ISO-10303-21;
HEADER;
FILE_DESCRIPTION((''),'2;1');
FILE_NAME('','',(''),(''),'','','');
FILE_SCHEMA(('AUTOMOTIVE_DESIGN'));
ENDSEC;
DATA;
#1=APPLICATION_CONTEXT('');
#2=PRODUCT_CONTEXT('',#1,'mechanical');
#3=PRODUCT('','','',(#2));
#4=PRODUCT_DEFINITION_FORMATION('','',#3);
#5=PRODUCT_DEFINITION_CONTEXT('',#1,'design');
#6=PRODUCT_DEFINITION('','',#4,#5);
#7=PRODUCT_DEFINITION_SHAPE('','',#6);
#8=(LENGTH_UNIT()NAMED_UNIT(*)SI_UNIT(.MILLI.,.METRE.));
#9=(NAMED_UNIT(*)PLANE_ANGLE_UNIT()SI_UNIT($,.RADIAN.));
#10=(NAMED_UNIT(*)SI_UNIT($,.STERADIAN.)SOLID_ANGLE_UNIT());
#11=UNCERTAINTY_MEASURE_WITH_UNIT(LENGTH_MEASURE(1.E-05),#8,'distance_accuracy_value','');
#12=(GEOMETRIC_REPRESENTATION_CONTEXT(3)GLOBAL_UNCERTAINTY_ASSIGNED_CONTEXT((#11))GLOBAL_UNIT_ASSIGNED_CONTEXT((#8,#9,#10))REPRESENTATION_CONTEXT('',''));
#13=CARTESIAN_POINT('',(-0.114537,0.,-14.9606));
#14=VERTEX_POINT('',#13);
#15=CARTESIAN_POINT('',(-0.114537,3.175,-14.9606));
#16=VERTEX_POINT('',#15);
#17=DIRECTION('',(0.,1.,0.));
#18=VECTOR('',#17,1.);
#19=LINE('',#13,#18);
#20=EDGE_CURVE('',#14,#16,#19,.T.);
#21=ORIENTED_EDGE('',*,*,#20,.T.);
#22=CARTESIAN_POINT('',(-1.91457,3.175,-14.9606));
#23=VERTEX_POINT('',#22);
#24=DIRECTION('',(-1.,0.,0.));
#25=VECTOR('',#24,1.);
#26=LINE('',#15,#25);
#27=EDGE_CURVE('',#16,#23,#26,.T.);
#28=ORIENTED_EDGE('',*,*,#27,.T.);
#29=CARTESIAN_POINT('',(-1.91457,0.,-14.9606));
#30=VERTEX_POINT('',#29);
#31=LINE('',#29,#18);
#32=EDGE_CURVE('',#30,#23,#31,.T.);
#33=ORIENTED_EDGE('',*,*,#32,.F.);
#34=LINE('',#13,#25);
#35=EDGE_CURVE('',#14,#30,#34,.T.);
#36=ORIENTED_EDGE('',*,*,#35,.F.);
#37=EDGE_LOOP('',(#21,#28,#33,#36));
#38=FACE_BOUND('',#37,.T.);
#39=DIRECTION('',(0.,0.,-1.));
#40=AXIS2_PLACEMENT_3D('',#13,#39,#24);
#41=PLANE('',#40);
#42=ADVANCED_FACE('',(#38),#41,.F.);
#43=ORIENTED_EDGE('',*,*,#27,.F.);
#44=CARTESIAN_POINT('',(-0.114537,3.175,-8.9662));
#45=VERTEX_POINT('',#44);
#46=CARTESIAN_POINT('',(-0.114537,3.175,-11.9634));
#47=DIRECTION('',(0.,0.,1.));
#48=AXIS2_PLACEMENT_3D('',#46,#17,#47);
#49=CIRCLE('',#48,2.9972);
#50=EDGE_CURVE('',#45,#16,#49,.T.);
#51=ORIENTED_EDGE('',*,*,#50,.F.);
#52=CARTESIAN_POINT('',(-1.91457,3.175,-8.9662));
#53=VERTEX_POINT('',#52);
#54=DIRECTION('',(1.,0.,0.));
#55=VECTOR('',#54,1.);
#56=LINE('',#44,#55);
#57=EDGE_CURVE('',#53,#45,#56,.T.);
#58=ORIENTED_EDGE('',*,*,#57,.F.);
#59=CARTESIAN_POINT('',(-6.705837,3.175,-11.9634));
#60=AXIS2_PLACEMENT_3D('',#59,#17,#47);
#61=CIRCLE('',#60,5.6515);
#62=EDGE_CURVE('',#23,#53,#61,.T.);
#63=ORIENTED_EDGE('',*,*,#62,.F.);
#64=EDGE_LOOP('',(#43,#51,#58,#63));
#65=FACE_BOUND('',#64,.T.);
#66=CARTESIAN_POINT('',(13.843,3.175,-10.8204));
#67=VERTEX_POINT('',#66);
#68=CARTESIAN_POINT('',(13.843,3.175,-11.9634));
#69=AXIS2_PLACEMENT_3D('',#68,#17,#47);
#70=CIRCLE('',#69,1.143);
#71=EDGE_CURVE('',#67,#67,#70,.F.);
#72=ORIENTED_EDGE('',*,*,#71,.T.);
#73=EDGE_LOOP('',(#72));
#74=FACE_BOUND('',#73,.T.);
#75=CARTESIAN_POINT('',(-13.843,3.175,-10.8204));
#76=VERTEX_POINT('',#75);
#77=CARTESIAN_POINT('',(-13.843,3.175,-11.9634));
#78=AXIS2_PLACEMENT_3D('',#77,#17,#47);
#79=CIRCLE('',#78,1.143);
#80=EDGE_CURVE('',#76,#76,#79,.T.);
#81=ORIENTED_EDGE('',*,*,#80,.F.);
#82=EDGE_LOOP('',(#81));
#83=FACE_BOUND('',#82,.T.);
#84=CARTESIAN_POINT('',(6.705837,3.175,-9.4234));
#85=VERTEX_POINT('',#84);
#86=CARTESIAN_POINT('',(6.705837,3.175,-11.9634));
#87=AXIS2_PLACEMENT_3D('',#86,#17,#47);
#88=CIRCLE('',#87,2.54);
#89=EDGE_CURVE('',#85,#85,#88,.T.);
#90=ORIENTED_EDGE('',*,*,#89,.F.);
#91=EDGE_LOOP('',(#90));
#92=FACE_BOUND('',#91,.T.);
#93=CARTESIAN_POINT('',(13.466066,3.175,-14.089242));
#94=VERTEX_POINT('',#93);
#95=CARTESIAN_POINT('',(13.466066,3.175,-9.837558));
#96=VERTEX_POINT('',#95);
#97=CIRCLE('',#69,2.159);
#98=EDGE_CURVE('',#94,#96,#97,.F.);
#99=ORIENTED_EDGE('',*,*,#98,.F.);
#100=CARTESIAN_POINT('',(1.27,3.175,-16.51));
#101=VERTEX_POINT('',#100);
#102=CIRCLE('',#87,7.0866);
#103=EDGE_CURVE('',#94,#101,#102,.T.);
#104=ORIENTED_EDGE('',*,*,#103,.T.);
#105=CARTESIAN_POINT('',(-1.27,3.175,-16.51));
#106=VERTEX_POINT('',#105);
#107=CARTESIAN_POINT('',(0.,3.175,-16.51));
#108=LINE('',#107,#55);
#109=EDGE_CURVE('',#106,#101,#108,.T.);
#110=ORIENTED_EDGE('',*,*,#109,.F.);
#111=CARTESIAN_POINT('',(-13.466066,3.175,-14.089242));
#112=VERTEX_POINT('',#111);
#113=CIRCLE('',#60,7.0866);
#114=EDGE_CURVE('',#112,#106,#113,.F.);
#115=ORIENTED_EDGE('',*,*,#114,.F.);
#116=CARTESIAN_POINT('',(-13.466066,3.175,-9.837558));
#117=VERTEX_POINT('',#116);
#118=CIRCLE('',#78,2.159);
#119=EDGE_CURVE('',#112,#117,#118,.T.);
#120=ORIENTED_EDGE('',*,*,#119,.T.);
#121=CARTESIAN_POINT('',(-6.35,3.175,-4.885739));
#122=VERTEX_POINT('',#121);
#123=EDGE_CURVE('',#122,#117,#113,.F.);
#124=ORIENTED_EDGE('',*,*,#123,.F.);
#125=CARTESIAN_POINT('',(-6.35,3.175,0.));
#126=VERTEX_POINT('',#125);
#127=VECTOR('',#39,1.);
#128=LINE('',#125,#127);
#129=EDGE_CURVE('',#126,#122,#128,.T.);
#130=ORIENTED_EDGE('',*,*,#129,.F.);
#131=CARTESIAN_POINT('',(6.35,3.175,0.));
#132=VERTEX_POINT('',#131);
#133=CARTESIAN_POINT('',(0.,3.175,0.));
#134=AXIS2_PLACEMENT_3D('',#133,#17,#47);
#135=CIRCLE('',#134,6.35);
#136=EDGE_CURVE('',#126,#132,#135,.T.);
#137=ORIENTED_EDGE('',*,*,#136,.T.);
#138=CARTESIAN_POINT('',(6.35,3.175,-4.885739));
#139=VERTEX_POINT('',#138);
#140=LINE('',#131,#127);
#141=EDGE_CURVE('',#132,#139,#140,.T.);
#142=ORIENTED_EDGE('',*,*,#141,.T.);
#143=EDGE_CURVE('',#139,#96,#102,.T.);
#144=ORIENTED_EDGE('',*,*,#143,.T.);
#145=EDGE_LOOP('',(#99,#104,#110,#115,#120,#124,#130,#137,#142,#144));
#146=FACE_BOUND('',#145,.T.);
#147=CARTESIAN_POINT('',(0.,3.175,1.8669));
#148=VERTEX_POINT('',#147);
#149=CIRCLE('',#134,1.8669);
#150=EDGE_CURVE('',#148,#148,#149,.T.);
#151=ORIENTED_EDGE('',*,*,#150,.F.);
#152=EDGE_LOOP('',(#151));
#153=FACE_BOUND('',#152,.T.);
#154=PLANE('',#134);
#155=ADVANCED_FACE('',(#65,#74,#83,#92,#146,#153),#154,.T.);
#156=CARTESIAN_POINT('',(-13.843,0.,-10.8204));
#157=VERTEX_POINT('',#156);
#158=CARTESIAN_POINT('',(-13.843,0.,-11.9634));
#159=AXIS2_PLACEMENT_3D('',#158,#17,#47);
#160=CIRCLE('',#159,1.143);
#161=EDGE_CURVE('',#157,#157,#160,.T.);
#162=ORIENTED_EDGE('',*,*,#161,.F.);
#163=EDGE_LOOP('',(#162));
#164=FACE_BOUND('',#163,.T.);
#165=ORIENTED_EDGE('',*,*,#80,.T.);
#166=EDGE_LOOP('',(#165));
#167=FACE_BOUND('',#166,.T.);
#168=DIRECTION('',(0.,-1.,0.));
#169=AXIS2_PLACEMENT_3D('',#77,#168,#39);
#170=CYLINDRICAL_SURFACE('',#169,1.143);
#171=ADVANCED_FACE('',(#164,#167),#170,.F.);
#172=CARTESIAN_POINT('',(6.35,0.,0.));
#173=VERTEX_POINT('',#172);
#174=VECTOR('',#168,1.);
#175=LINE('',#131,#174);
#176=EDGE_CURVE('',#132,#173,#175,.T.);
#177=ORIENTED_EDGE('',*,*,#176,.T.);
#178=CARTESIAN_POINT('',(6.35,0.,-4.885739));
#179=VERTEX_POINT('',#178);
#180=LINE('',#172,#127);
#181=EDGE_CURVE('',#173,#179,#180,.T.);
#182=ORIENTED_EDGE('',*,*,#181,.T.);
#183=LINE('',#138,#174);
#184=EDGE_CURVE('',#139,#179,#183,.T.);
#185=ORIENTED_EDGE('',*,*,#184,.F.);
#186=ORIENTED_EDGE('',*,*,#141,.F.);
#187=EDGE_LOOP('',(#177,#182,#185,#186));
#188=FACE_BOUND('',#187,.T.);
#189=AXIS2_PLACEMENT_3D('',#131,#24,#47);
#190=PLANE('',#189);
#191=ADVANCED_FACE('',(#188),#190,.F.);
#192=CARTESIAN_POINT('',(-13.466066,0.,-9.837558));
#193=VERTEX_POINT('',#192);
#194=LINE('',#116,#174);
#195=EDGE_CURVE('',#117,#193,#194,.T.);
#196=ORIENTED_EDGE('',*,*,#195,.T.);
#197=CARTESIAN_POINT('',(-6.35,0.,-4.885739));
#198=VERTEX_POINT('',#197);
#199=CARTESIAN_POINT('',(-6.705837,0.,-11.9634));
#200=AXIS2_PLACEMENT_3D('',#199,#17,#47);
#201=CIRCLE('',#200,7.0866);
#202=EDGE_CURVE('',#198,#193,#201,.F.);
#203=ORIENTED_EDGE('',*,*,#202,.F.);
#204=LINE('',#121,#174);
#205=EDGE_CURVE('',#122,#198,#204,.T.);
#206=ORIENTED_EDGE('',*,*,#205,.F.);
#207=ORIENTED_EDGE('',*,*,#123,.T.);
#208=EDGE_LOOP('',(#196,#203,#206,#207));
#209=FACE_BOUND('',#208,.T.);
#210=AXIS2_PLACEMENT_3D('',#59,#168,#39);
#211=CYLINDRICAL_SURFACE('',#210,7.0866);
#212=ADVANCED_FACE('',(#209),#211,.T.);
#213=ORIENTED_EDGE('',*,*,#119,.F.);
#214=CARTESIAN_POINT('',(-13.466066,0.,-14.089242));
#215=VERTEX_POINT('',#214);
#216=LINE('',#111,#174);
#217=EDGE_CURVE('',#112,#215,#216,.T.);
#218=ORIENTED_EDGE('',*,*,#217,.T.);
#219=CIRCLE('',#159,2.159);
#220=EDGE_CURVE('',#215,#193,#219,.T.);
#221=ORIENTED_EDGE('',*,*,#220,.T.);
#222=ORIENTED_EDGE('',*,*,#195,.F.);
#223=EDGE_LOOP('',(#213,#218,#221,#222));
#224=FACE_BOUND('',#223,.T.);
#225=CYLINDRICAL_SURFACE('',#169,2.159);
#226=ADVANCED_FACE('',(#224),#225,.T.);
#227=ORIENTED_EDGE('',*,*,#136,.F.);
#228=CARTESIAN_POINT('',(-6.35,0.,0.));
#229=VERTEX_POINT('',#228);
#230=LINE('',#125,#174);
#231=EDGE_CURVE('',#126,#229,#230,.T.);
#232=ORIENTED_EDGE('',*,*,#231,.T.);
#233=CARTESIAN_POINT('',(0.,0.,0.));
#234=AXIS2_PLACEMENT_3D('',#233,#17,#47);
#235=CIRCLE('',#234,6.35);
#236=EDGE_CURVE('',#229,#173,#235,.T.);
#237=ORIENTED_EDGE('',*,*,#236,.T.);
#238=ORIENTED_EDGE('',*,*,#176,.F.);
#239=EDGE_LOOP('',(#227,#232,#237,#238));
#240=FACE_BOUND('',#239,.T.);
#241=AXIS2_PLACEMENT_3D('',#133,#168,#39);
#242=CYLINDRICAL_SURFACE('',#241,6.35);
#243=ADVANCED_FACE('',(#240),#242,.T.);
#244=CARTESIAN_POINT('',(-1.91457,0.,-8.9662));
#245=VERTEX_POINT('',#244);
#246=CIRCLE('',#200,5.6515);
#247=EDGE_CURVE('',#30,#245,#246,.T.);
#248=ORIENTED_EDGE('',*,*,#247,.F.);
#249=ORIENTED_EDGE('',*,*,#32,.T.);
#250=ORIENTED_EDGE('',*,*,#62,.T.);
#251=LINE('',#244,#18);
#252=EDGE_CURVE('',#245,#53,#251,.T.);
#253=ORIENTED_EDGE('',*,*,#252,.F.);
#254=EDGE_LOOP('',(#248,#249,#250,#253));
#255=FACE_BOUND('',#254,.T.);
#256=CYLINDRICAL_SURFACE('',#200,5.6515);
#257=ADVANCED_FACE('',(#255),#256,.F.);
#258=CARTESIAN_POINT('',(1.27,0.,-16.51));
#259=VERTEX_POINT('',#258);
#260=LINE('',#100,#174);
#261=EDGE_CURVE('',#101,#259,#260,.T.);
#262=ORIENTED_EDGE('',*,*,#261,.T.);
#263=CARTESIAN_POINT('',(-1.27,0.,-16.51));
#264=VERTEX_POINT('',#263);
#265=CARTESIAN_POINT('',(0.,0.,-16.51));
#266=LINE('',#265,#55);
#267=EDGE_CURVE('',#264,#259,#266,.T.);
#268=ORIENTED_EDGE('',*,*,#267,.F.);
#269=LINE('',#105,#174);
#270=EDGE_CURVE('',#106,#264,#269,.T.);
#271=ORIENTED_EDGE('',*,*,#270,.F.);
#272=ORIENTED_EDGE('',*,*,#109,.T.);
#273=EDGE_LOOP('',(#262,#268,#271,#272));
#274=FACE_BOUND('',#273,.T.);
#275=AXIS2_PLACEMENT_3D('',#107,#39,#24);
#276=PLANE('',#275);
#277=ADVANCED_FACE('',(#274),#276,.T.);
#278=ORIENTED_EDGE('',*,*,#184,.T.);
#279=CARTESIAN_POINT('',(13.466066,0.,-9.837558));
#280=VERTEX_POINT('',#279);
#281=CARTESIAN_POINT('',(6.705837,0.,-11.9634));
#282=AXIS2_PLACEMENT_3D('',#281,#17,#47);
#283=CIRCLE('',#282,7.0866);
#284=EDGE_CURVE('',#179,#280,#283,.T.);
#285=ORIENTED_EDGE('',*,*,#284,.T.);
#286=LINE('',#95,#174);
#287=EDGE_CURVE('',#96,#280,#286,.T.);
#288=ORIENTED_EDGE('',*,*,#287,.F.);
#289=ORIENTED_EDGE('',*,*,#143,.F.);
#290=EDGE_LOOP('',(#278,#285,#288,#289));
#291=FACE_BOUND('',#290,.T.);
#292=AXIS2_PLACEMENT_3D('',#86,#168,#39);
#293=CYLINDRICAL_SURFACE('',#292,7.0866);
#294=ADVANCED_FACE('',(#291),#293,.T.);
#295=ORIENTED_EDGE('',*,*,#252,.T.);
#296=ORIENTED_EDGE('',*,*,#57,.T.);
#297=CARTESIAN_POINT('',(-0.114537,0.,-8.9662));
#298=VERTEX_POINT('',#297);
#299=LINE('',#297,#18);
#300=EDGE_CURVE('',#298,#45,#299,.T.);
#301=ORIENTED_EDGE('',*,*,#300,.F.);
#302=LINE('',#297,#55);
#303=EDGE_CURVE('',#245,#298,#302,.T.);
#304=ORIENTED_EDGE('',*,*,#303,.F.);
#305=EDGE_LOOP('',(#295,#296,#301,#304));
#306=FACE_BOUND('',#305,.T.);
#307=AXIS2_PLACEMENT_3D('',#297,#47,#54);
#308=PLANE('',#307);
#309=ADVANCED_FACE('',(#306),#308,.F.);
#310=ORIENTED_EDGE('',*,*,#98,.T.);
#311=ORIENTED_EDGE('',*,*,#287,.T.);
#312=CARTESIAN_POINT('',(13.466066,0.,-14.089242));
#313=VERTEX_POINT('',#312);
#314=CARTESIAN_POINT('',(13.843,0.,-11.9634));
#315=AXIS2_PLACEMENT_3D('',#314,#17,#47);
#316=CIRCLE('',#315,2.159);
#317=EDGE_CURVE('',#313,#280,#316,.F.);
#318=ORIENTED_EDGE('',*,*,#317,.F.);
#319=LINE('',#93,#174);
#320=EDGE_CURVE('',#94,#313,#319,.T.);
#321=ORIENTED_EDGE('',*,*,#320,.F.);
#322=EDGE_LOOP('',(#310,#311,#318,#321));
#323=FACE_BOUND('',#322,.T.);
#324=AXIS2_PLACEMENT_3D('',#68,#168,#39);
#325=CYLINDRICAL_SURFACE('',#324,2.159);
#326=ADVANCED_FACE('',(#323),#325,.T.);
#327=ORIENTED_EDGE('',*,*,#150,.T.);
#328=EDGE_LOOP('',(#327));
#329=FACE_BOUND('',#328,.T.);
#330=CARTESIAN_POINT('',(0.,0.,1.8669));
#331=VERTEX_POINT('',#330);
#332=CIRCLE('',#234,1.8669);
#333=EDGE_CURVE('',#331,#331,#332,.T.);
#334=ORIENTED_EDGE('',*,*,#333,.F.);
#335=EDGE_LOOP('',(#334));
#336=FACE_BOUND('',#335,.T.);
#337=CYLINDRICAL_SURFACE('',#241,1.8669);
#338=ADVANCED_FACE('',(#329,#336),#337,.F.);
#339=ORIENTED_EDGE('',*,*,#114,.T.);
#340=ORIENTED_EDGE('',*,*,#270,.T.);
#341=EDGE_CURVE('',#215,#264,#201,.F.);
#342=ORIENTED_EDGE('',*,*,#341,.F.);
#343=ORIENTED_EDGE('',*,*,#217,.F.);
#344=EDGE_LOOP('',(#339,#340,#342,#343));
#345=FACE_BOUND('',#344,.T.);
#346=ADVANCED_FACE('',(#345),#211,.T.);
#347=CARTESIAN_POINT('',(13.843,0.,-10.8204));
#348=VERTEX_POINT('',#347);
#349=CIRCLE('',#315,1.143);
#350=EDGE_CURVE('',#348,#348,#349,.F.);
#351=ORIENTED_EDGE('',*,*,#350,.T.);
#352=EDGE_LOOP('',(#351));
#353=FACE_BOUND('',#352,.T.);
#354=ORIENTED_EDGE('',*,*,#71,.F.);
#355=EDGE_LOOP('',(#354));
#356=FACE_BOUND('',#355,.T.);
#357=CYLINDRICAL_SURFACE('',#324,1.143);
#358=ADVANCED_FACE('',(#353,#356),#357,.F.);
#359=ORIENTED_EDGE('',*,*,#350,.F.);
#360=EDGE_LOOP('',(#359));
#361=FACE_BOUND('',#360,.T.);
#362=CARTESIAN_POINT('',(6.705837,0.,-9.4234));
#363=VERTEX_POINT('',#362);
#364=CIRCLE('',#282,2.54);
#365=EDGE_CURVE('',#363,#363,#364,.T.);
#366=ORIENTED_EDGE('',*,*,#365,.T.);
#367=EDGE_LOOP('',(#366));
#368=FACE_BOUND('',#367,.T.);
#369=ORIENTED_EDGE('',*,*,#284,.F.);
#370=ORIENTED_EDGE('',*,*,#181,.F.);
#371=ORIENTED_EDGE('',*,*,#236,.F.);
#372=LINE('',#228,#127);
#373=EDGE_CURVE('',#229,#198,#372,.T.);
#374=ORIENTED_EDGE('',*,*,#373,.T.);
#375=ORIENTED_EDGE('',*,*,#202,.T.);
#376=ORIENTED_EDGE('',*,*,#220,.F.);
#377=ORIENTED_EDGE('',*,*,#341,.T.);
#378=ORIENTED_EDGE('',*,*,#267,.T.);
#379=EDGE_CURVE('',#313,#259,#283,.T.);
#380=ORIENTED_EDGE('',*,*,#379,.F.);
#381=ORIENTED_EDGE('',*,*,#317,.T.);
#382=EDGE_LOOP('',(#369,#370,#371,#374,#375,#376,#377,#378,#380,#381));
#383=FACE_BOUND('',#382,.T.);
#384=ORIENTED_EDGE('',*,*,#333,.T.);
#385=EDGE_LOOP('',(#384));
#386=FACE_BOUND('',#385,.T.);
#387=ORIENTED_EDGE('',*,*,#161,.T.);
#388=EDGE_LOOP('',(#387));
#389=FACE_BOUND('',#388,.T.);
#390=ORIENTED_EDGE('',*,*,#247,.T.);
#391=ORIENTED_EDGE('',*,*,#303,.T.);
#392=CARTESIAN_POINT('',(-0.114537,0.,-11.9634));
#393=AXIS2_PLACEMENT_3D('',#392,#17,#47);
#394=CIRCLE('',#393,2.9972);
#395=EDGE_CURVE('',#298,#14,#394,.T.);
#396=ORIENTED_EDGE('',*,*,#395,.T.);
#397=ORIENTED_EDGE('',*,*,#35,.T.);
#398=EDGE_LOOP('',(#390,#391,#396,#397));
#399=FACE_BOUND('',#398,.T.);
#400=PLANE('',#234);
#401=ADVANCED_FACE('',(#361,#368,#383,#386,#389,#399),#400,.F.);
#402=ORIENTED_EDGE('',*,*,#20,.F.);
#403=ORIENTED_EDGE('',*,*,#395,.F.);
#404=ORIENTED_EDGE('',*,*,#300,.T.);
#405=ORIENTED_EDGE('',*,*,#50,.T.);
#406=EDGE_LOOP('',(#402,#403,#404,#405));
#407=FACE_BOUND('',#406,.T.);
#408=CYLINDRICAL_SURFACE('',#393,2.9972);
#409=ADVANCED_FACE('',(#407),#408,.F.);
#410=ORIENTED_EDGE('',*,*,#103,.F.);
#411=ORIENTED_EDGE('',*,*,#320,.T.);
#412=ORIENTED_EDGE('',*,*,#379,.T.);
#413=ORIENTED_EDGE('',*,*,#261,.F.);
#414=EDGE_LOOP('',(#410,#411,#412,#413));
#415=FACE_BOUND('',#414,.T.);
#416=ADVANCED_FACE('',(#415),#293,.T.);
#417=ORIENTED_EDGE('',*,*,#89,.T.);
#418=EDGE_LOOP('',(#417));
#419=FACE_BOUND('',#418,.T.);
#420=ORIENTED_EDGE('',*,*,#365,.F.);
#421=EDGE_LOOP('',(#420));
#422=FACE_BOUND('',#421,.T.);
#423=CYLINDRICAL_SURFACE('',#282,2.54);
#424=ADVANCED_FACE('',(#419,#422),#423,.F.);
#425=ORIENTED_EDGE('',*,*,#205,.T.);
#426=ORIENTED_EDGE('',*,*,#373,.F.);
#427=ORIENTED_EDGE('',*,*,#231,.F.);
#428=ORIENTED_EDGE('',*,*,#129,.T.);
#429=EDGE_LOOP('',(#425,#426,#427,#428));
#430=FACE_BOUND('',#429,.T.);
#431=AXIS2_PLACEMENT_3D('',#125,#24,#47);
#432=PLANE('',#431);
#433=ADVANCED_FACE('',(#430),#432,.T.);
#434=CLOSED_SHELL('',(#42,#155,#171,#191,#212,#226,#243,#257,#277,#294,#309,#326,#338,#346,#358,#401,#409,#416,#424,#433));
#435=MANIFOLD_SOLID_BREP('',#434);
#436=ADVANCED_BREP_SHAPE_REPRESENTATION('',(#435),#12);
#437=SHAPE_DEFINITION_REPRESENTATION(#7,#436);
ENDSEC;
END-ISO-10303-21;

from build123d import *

# Parameters (mm, degrees)
SKETCH1_R           = 1.143
SKETCH1_R_2         = 1.8669
BOSS_EXTRUDE1_DEPTH = 3.175
SKETCH2_R           = 2.54
CUT_EXTRUDE1_DEPTH  = 26.080811969


with BuildPart() as part:
    # Sketch1 → Boss-Extrude1 (new body)
    with BuildSketch(Plane(origin=(0, 0, 0), x_dir=(1, 0, 0), z_dir=(0, 1, 0))):
        with BuildLine():
            ThreePointArc((13.466066475, 14.089241508), (16.002, 11.9634), (13.466066475, 9.837558492))
            ThreePointArc((13.466066475, 9.837558492), (10.753575803, 6.146552641), (6.35, 4.885739418))
            Line((6.35, 4.885739418), (6.35, 0))
            ThreePointArc((6.35, 0), (0, -6.35), (-6.35, 0))
            Line((-6.35, 0), (-6.35, 4.885739418))
            ThreePointArc((-6.35, 4.885739418), (-10.753575803, 6.146552641), (-13.466066475, 9.837558492))
            ThreePointArc((-13.466066475, 9.837558492), (-16.002, 11.9634), (-13.466066475, 14.089241508))
            ThreePointArc((-13.466066475, 14.089241508), (-8.085518963, 18.914398366), (-1.27, 16.51))
            Line((-1.27, 16.51), (1.27, 16.51))
            ThreePointArc((1.27, 16.51), (8.085518963, 18.914398366), (13.466066475, 14.089241508))
        make_face()
        with Locations(Location((13.843, 11.9634, 0), (0, 0, 270))):
            Circle(SKETCH1_R, mode=Mode.SUBTRACT)
        with Locations(Location((-13.843, 11.9634, 0), (0, 0, 270))):
            Circle(SKETCH1_R, mode=Mode.SUBTRACT)
        with Locations(Location((0, 0, 0), (0, 0, 270))):
            Circle(SKETCH1_R_2, mode=Mode.SUBTRACT)
    extrude(amount=BOSS_EXTRUDE1_DEPTH)

    # Sketch2 → Cut-Extrude1 (cut, through all)
    with BuildSketch(Plane(origin=(0, 3.175, 0), x_dir=(1, 0, 0), z_dir=(0, 1, 0))):
        with Locations(Location((6.705837378, 11.9634, 0), (0, 0, 270))):
            Circle(SKETCH2_R)
        with BuildLine():
            Line((-0.114537378, 8.9662), (-1.914569862, 8.9662))
            ThreePointArc((-1.914569862, 8.9662), (-12.357337378, 11.9634), (-1.914569862, 14.9606))
            Line((-1.914569862, 14.9606), (-0.114537378, 14.9606))
            ThreePointArc((-0.114537378, 14.9606), (2.882662622, 11.9634), (-0.114537378, 8.9662))
        make_face()
    extrude(amount=-CUT_EXTRUDE1_DEPTH, mode=Mode.SUBTRACT)


solid = part.part
